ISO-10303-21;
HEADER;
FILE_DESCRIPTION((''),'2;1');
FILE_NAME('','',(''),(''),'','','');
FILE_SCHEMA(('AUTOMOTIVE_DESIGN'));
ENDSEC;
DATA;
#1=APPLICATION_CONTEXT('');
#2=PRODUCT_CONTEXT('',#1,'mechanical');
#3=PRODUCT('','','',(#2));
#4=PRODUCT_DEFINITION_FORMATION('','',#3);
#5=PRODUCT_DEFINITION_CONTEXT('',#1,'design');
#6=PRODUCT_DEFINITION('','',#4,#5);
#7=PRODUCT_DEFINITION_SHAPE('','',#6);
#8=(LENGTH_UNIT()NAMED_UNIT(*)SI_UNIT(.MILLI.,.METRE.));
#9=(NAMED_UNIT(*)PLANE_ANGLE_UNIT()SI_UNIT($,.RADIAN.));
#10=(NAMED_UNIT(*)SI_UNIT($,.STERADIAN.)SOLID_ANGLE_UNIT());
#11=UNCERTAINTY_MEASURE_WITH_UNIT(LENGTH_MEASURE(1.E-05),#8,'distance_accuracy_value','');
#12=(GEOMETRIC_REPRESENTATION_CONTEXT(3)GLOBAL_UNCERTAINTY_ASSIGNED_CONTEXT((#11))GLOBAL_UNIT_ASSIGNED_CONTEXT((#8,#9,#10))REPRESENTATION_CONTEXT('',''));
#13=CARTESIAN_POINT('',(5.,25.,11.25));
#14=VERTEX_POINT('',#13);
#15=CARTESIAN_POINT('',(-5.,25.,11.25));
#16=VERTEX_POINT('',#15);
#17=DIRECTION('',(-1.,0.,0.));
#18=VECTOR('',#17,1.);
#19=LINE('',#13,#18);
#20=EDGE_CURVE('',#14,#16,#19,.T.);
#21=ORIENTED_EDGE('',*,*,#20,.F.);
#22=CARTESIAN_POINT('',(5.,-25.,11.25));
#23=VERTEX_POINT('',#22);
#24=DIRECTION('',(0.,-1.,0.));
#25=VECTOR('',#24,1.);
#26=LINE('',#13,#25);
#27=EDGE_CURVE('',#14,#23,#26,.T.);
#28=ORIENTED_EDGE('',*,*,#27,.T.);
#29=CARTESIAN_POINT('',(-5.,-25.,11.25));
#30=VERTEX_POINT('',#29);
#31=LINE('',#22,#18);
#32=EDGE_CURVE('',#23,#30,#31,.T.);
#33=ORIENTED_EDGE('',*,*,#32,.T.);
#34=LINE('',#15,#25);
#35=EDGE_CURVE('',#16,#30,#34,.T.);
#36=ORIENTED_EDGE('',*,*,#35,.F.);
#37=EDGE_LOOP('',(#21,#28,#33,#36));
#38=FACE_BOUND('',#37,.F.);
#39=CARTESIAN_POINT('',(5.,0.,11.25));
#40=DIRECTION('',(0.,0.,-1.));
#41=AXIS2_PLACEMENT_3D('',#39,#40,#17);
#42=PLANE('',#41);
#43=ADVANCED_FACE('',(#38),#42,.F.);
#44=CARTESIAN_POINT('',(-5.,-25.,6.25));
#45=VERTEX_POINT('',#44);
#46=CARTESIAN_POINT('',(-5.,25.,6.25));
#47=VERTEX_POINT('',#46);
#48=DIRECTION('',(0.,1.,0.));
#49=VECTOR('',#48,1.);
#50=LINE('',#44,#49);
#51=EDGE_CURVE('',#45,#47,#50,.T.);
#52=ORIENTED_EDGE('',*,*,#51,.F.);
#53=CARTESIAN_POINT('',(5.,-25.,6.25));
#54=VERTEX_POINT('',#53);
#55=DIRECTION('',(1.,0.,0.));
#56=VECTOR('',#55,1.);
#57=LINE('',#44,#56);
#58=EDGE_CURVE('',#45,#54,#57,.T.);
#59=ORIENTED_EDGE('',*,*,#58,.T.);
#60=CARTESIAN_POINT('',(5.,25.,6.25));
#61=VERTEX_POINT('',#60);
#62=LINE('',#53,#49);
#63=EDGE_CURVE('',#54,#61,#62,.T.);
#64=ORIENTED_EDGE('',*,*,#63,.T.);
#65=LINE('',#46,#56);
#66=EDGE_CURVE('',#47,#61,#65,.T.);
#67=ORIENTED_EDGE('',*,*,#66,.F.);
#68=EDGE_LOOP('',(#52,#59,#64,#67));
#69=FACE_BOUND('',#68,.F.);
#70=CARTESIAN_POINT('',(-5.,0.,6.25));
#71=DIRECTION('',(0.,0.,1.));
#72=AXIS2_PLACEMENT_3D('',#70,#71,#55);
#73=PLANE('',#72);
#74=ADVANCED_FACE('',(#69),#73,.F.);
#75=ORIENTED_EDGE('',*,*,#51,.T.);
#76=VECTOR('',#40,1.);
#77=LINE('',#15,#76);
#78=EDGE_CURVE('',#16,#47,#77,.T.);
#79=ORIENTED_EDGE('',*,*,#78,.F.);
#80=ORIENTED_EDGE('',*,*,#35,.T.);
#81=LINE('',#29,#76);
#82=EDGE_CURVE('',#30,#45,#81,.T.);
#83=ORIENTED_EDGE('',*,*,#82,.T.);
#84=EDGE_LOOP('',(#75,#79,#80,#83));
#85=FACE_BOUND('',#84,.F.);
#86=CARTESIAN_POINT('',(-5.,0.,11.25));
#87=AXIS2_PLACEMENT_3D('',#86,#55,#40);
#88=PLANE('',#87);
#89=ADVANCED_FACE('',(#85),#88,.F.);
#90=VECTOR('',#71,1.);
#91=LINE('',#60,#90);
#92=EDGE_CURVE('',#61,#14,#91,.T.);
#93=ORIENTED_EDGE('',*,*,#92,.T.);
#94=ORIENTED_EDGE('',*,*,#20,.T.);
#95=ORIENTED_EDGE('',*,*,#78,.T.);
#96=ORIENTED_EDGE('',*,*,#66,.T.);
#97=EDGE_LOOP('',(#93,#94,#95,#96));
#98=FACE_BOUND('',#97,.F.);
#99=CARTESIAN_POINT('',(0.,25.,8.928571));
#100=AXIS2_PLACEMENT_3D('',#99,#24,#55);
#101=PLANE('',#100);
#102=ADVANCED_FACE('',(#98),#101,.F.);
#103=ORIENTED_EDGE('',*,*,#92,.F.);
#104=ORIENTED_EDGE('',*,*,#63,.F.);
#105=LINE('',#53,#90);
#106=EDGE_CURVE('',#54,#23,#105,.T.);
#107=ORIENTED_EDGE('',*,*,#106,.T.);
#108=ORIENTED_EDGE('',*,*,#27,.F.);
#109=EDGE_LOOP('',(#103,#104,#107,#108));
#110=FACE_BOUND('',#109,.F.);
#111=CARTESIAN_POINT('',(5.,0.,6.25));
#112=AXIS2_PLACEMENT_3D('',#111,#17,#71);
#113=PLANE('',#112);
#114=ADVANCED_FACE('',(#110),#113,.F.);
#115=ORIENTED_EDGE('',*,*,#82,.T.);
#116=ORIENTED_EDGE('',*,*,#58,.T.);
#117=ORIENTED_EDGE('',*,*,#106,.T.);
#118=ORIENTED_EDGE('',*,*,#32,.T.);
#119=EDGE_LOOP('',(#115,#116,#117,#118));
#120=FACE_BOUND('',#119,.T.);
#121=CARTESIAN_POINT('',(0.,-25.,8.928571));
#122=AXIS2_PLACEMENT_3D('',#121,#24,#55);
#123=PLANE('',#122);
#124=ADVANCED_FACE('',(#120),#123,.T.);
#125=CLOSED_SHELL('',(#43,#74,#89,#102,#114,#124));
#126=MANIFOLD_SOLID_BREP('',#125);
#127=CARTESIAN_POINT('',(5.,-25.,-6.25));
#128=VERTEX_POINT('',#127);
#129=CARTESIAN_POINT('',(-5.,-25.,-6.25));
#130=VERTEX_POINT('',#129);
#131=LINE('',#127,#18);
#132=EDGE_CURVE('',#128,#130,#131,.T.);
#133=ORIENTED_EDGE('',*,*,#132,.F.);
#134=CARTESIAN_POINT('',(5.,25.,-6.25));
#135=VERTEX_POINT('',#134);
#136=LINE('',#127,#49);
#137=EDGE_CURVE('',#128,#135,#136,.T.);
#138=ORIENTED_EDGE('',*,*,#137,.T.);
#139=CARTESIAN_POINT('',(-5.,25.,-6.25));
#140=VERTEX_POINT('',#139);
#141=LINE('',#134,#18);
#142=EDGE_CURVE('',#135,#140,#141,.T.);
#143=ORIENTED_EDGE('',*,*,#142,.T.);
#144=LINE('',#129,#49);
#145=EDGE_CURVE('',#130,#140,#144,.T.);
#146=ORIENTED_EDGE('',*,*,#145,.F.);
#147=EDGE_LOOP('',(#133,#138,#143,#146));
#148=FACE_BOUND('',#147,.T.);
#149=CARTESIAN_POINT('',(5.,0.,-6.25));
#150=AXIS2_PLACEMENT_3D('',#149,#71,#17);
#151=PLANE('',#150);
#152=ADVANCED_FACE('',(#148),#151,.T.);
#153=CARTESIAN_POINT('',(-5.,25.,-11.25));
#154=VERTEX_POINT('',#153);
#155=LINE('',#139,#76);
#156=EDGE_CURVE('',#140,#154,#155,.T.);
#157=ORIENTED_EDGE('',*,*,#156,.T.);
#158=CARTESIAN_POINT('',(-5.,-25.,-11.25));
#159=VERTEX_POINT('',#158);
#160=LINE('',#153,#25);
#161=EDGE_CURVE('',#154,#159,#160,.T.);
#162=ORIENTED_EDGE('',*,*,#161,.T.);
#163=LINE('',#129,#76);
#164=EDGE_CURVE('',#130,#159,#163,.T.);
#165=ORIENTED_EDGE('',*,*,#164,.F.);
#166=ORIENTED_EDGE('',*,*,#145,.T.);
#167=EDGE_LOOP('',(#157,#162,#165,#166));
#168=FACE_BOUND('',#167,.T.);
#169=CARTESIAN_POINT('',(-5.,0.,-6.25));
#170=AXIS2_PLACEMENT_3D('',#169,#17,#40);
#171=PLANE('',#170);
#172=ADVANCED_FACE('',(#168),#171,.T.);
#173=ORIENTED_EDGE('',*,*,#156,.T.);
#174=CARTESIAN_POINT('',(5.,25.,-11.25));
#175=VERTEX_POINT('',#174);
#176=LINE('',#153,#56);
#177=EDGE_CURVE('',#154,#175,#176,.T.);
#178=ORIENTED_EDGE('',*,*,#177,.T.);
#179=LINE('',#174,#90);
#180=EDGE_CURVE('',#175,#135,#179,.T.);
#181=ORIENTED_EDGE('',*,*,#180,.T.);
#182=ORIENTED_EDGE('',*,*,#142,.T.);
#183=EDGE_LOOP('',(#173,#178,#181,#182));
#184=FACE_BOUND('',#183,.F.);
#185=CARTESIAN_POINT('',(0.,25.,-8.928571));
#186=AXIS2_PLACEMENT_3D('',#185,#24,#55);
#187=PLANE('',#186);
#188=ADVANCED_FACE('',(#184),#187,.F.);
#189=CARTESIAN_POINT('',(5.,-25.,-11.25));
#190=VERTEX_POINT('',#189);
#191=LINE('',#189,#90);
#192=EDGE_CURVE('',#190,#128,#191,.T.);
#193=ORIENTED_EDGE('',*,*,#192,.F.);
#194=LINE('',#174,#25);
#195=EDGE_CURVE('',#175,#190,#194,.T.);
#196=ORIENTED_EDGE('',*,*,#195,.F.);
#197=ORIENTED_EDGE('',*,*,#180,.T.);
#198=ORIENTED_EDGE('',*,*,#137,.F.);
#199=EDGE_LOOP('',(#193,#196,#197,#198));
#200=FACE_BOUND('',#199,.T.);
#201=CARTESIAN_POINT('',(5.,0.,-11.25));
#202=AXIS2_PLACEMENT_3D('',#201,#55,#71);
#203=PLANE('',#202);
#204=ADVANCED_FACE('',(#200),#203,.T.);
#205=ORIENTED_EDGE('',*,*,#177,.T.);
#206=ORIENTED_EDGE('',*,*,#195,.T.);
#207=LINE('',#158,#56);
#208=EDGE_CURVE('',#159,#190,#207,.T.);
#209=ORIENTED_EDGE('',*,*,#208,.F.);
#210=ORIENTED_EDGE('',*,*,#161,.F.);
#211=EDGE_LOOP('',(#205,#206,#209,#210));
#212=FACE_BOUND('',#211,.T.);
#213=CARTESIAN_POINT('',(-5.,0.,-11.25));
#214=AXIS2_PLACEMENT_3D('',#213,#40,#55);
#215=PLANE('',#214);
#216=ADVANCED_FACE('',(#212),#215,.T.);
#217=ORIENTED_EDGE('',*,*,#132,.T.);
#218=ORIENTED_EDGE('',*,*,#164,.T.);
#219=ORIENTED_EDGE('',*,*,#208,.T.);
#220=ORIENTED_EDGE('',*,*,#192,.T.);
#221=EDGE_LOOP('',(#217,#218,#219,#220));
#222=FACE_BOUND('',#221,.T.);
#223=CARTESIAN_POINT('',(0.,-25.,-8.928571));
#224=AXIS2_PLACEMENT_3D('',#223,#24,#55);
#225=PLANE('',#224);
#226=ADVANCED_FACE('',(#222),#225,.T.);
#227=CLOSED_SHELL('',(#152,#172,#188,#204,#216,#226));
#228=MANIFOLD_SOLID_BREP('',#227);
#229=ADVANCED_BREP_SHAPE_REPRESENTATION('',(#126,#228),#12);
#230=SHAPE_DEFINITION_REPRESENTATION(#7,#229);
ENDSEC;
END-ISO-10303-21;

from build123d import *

# Parameters (mm, degrees)
F0_W     = 5
F0_H     = 2.5
F1_DEPTH = 25


with BuildPart() as f1:
    # F0 (on Front) → F1 (new body, symmetric)
    with BuildSketch(Plane.XZ):
        Polygon((-2.5, 6.25), (-2.5, 8.75), (2.5, 8.75), (2.5, 6.25), (5, 6.25), (5, 11.25), (-5, 11.25), (-5, 6.25), align=None)
        Polygon((-2.5, -8.75), (-2.5, -6.25), (-5, -6.25), (-5, -11.25), (5, -11.25), (5, -6.25), (2.5, -6.25), (2.5, -8.75), align=None)
        with Locations((0, 7.5)):
            Rectangle(F0_W, F0_H)
        with Locations((0, -7.5)):
            Rectangle(F0_W, F0_H)
    extrude(amount=F1_DEPTH, both=True)


solid = f1.part
